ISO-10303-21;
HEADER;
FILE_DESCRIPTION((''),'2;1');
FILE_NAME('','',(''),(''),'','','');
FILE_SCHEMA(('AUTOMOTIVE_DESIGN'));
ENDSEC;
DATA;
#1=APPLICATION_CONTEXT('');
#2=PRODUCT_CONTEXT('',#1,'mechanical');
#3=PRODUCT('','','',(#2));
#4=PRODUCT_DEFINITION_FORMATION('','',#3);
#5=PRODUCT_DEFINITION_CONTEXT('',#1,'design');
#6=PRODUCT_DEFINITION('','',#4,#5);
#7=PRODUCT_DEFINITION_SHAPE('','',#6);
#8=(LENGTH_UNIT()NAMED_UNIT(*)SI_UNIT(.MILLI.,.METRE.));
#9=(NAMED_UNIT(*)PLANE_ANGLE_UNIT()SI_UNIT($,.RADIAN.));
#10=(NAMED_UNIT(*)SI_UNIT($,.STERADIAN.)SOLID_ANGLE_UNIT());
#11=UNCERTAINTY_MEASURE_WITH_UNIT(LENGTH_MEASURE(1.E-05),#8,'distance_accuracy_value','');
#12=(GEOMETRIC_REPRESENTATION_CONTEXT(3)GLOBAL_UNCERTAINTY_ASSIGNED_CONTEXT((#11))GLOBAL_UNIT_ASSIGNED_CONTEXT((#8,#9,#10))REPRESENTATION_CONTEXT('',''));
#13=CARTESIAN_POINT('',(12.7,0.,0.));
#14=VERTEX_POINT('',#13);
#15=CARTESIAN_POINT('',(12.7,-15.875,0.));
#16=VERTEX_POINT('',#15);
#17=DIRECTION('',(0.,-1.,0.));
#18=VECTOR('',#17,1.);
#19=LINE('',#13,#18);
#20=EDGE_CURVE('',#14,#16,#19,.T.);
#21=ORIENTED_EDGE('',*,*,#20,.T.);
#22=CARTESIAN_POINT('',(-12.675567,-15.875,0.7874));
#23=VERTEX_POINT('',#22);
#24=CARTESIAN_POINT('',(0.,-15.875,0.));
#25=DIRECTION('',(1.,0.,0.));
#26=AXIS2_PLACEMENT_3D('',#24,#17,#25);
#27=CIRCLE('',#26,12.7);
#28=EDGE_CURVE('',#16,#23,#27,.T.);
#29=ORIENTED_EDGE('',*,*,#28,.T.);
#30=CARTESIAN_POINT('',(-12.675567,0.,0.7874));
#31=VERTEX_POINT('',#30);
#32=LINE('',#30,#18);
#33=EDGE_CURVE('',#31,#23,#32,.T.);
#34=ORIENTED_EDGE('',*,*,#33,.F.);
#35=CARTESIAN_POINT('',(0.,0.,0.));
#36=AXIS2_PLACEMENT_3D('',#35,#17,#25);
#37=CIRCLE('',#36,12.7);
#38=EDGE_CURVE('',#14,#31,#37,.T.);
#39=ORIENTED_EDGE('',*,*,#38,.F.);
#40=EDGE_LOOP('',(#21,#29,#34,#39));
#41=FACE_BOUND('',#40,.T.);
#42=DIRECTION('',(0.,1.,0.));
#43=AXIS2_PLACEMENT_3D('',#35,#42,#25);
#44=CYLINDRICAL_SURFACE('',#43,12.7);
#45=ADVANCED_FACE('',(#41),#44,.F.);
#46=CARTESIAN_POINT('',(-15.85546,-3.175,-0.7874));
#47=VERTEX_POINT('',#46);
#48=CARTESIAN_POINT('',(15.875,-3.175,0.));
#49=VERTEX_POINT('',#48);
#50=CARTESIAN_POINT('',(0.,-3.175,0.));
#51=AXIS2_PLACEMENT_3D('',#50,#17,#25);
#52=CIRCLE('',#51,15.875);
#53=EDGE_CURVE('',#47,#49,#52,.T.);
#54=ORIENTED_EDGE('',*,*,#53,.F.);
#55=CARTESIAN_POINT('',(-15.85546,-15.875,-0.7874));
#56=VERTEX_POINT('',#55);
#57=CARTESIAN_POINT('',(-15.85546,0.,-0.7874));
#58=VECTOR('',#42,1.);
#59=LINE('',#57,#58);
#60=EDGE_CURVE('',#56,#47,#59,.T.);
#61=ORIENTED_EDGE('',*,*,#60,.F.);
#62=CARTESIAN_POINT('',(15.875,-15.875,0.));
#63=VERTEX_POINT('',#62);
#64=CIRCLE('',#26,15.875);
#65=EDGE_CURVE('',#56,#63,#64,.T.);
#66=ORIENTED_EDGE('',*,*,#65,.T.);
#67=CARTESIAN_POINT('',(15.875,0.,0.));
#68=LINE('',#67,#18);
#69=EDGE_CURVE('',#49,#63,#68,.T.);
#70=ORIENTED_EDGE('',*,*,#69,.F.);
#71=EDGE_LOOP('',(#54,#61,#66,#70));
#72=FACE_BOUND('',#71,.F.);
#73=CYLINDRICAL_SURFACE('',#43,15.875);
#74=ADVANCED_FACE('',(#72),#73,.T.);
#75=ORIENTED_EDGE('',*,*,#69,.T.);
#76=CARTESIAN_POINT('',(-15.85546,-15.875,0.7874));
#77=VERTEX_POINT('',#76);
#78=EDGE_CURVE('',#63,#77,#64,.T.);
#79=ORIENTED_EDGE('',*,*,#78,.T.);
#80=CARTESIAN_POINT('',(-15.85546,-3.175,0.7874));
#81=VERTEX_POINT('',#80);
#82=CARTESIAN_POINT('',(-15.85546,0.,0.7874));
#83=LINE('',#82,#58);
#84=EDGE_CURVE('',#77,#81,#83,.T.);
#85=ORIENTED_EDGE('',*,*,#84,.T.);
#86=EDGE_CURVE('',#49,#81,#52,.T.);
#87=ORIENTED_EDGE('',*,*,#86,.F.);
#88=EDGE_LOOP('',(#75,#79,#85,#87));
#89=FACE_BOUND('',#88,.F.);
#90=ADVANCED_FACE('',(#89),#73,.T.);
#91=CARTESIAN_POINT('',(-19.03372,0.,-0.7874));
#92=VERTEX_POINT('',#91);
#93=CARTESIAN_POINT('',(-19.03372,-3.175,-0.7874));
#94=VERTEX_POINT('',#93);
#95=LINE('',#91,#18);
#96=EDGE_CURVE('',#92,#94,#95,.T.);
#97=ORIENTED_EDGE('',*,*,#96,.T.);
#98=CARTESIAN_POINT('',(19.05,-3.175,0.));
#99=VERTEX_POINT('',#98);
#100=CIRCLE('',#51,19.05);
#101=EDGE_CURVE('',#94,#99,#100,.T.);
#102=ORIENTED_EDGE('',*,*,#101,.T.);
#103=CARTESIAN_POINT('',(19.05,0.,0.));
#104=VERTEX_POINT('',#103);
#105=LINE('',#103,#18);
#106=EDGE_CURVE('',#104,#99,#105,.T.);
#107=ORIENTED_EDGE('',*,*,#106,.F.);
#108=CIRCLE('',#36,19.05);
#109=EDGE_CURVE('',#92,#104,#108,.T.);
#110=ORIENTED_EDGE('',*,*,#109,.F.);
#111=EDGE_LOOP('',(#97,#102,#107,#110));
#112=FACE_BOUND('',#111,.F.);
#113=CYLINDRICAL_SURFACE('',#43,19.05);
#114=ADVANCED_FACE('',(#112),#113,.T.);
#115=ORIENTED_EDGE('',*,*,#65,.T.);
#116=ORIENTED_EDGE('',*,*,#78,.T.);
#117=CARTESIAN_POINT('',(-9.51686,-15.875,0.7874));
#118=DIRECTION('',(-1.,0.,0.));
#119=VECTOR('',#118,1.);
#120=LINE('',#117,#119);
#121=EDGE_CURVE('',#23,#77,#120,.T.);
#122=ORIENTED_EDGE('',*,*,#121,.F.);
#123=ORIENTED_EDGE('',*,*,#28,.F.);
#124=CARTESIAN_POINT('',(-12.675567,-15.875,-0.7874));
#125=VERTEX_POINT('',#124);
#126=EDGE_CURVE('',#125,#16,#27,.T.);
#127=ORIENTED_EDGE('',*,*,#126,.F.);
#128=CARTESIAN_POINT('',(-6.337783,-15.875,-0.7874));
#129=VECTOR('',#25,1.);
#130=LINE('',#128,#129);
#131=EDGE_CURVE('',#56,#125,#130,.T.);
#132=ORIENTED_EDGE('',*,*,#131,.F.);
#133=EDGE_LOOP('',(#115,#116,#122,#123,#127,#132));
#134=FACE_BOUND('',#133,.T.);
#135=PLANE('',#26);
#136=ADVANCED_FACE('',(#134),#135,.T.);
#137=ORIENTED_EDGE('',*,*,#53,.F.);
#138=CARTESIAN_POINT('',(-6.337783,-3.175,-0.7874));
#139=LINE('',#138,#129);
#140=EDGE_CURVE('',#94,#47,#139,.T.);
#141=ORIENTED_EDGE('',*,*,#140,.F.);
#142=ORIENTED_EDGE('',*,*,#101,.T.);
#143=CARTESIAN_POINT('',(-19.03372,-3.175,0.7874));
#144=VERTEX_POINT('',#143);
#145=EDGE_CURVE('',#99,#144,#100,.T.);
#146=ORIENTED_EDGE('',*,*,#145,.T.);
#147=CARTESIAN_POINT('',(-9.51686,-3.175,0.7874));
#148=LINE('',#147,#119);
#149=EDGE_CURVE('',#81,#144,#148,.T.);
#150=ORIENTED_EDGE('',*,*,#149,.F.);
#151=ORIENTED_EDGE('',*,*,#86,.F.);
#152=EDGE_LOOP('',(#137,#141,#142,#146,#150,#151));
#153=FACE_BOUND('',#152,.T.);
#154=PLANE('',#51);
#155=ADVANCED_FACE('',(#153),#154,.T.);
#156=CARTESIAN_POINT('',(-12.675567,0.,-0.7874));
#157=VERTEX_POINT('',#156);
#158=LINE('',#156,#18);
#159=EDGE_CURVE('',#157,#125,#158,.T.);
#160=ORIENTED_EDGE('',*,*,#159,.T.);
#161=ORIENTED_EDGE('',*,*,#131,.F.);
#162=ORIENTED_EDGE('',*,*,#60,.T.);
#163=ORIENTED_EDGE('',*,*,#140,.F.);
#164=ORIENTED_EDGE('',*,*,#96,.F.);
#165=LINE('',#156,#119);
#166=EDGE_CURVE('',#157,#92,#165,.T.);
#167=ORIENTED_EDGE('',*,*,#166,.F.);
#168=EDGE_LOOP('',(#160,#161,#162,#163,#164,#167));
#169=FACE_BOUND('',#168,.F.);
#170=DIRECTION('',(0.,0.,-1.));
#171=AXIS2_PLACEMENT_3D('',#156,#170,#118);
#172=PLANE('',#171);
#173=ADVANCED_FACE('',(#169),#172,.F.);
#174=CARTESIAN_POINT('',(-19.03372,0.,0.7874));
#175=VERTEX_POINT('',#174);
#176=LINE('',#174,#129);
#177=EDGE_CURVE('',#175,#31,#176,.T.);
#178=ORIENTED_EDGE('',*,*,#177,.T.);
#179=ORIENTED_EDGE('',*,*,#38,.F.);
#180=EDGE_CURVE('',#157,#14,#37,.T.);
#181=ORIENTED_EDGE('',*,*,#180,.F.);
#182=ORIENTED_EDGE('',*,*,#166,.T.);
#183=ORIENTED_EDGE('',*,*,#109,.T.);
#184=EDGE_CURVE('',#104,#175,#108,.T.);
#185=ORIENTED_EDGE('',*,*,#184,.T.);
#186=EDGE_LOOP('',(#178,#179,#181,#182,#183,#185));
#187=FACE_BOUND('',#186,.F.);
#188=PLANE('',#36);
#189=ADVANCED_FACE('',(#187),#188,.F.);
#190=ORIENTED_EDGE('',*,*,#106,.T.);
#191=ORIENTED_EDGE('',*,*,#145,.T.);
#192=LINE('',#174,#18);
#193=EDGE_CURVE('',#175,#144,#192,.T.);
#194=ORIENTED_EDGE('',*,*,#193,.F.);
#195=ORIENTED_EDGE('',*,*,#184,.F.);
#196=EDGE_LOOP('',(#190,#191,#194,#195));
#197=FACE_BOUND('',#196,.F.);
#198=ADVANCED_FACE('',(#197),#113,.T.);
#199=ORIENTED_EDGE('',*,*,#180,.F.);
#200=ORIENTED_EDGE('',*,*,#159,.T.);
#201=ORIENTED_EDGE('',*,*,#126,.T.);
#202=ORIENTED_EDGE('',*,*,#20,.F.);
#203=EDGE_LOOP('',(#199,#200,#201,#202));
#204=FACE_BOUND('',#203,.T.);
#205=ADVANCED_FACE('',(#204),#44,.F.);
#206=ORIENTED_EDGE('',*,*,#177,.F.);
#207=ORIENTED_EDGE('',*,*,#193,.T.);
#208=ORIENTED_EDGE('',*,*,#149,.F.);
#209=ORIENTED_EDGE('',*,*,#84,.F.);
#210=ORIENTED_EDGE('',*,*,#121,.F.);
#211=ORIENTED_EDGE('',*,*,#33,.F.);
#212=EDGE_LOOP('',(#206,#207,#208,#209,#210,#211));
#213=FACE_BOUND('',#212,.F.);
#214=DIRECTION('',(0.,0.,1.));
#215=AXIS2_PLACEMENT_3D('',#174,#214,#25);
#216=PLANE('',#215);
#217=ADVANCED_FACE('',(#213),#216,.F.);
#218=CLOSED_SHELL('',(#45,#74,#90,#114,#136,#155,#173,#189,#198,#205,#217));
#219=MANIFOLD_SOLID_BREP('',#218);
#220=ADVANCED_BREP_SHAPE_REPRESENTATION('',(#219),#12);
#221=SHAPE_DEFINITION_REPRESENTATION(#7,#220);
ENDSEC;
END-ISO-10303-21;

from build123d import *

# Parameters (mm, degrees)
F0_R     = 15.875
F0_R_2   = 12.7
F1_DEPTH = 15.875
F0_R_3   = 19.05
F2_DEPTH = 3.175
F4_DEPTH = 15.876


with BuildPart() as f1:
    # F0 (on Front) → F1 (new body)
    with BuildSketch(Plane.XZ):
        Circle(F0_R)
        Circle(F0_R_2, mode=Mode.SUBTRACT)
    extrude(amount=F1_DEPTH)

    # F0 (on Front) → F2 (join)
    with BuildSketch(Plane.XZ):
        Circle(F0_R_3)
        Circle(F0_R, mode=Mode.SUBTRACT)
    extrude(amount=F2_DEPTH)

    # F3 (on face) → F4 (cut, through all)
    with BuildSketch(Plane(origin=(0, 0, 0), x_dir=(-1, 0, 0), z_dir=(0, 1, 0))):
        with BuildLine():
            Line((19.03372, 0.7874), (12.675567, 0.7874))
            ThreePointArc((12.675567, 0.7874), (12.69389, 0.393889), (12.7, 0))
            ThreePointArc((12.7, 0), (12.69389, -0.393889), (12.675567, -0.7874))
            Line((12.675567, -0.7874), (19.03372, -0.7874))
            ThreePointArc((19.03372, -0.7874), (19.04593, -0.393784), (19.05, 0))
            ThreePointArc((19.05, 0), (19.04593, 0.393784), (19.03372, 0.7874))
        make_face()
    extrude(amount=-F4_DEPTH, mode=Mode.SUBTRACT)


solid = f1.part
